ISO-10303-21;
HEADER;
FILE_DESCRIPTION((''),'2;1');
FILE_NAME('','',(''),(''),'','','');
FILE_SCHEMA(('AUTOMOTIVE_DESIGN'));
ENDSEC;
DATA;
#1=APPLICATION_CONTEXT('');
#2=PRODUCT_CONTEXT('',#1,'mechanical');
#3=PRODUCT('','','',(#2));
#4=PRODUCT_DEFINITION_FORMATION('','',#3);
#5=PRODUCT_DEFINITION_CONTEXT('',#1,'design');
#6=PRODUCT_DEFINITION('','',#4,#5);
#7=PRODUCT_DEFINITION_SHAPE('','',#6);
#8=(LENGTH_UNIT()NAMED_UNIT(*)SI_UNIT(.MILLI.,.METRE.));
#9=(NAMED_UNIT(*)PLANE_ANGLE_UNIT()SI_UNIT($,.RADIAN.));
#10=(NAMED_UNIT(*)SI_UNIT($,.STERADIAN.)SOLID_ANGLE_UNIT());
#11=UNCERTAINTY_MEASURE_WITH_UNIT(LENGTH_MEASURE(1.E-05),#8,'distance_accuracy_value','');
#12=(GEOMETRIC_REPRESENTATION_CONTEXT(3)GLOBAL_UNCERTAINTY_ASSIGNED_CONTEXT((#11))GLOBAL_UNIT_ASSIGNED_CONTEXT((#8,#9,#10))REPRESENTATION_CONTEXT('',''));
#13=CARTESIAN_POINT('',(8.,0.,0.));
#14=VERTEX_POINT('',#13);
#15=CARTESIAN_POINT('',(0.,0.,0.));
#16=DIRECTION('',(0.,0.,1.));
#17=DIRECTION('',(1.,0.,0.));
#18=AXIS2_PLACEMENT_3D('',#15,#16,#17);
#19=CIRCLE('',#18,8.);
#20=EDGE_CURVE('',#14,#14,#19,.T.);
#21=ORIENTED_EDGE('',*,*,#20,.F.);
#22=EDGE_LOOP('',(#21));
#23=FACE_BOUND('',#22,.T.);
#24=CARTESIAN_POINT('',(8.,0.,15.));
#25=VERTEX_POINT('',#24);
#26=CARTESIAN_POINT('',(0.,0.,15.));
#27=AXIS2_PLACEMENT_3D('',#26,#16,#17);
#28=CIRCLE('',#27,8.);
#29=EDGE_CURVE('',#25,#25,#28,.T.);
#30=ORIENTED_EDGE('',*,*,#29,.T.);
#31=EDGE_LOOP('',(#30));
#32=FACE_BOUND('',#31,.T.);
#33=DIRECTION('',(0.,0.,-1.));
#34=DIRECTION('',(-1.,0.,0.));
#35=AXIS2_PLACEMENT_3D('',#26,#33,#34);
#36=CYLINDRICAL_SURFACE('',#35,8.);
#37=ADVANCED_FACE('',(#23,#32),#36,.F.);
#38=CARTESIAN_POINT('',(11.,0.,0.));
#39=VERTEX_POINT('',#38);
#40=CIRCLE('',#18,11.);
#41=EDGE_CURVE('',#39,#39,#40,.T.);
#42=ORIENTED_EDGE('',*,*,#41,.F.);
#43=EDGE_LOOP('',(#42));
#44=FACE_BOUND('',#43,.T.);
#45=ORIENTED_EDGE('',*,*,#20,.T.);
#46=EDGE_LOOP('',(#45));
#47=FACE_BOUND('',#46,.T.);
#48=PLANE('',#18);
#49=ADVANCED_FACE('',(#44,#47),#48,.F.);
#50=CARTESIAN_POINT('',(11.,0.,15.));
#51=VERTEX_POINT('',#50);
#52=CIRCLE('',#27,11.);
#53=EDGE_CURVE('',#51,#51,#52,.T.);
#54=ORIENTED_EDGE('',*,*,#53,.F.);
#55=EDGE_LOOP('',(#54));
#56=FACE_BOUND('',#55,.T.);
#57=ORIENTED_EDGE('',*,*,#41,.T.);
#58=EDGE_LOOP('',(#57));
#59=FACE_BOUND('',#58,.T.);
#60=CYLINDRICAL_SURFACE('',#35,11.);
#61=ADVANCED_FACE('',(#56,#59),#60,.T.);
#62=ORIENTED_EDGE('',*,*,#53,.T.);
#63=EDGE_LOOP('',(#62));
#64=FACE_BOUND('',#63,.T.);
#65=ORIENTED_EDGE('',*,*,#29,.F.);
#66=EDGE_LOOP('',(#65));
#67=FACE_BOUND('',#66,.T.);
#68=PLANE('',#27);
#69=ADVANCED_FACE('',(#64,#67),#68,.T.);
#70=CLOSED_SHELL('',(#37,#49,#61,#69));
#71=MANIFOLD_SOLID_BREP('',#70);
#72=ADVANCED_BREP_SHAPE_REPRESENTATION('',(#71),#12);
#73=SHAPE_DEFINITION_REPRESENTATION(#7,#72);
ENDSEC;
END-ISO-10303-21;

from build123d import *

# Parameters (mm, degrees)
SKETCH_1_R      = 11
SKETCH_1_R_2    = 8
EXTRUDE_1_DEPTH = 15


with BuildPart() as part:
    # 草图1 → 凸台-拉伸1 (new body)
    with BuildSketch(Plane.XY):
        Circle(SKETCH_1_R)
        Circle(SKETCH_1_R_2, mode=Mode.SUBTRACT)
    extrude(amount=EXTRUDE_1_DEPTH)


solid = part.part
